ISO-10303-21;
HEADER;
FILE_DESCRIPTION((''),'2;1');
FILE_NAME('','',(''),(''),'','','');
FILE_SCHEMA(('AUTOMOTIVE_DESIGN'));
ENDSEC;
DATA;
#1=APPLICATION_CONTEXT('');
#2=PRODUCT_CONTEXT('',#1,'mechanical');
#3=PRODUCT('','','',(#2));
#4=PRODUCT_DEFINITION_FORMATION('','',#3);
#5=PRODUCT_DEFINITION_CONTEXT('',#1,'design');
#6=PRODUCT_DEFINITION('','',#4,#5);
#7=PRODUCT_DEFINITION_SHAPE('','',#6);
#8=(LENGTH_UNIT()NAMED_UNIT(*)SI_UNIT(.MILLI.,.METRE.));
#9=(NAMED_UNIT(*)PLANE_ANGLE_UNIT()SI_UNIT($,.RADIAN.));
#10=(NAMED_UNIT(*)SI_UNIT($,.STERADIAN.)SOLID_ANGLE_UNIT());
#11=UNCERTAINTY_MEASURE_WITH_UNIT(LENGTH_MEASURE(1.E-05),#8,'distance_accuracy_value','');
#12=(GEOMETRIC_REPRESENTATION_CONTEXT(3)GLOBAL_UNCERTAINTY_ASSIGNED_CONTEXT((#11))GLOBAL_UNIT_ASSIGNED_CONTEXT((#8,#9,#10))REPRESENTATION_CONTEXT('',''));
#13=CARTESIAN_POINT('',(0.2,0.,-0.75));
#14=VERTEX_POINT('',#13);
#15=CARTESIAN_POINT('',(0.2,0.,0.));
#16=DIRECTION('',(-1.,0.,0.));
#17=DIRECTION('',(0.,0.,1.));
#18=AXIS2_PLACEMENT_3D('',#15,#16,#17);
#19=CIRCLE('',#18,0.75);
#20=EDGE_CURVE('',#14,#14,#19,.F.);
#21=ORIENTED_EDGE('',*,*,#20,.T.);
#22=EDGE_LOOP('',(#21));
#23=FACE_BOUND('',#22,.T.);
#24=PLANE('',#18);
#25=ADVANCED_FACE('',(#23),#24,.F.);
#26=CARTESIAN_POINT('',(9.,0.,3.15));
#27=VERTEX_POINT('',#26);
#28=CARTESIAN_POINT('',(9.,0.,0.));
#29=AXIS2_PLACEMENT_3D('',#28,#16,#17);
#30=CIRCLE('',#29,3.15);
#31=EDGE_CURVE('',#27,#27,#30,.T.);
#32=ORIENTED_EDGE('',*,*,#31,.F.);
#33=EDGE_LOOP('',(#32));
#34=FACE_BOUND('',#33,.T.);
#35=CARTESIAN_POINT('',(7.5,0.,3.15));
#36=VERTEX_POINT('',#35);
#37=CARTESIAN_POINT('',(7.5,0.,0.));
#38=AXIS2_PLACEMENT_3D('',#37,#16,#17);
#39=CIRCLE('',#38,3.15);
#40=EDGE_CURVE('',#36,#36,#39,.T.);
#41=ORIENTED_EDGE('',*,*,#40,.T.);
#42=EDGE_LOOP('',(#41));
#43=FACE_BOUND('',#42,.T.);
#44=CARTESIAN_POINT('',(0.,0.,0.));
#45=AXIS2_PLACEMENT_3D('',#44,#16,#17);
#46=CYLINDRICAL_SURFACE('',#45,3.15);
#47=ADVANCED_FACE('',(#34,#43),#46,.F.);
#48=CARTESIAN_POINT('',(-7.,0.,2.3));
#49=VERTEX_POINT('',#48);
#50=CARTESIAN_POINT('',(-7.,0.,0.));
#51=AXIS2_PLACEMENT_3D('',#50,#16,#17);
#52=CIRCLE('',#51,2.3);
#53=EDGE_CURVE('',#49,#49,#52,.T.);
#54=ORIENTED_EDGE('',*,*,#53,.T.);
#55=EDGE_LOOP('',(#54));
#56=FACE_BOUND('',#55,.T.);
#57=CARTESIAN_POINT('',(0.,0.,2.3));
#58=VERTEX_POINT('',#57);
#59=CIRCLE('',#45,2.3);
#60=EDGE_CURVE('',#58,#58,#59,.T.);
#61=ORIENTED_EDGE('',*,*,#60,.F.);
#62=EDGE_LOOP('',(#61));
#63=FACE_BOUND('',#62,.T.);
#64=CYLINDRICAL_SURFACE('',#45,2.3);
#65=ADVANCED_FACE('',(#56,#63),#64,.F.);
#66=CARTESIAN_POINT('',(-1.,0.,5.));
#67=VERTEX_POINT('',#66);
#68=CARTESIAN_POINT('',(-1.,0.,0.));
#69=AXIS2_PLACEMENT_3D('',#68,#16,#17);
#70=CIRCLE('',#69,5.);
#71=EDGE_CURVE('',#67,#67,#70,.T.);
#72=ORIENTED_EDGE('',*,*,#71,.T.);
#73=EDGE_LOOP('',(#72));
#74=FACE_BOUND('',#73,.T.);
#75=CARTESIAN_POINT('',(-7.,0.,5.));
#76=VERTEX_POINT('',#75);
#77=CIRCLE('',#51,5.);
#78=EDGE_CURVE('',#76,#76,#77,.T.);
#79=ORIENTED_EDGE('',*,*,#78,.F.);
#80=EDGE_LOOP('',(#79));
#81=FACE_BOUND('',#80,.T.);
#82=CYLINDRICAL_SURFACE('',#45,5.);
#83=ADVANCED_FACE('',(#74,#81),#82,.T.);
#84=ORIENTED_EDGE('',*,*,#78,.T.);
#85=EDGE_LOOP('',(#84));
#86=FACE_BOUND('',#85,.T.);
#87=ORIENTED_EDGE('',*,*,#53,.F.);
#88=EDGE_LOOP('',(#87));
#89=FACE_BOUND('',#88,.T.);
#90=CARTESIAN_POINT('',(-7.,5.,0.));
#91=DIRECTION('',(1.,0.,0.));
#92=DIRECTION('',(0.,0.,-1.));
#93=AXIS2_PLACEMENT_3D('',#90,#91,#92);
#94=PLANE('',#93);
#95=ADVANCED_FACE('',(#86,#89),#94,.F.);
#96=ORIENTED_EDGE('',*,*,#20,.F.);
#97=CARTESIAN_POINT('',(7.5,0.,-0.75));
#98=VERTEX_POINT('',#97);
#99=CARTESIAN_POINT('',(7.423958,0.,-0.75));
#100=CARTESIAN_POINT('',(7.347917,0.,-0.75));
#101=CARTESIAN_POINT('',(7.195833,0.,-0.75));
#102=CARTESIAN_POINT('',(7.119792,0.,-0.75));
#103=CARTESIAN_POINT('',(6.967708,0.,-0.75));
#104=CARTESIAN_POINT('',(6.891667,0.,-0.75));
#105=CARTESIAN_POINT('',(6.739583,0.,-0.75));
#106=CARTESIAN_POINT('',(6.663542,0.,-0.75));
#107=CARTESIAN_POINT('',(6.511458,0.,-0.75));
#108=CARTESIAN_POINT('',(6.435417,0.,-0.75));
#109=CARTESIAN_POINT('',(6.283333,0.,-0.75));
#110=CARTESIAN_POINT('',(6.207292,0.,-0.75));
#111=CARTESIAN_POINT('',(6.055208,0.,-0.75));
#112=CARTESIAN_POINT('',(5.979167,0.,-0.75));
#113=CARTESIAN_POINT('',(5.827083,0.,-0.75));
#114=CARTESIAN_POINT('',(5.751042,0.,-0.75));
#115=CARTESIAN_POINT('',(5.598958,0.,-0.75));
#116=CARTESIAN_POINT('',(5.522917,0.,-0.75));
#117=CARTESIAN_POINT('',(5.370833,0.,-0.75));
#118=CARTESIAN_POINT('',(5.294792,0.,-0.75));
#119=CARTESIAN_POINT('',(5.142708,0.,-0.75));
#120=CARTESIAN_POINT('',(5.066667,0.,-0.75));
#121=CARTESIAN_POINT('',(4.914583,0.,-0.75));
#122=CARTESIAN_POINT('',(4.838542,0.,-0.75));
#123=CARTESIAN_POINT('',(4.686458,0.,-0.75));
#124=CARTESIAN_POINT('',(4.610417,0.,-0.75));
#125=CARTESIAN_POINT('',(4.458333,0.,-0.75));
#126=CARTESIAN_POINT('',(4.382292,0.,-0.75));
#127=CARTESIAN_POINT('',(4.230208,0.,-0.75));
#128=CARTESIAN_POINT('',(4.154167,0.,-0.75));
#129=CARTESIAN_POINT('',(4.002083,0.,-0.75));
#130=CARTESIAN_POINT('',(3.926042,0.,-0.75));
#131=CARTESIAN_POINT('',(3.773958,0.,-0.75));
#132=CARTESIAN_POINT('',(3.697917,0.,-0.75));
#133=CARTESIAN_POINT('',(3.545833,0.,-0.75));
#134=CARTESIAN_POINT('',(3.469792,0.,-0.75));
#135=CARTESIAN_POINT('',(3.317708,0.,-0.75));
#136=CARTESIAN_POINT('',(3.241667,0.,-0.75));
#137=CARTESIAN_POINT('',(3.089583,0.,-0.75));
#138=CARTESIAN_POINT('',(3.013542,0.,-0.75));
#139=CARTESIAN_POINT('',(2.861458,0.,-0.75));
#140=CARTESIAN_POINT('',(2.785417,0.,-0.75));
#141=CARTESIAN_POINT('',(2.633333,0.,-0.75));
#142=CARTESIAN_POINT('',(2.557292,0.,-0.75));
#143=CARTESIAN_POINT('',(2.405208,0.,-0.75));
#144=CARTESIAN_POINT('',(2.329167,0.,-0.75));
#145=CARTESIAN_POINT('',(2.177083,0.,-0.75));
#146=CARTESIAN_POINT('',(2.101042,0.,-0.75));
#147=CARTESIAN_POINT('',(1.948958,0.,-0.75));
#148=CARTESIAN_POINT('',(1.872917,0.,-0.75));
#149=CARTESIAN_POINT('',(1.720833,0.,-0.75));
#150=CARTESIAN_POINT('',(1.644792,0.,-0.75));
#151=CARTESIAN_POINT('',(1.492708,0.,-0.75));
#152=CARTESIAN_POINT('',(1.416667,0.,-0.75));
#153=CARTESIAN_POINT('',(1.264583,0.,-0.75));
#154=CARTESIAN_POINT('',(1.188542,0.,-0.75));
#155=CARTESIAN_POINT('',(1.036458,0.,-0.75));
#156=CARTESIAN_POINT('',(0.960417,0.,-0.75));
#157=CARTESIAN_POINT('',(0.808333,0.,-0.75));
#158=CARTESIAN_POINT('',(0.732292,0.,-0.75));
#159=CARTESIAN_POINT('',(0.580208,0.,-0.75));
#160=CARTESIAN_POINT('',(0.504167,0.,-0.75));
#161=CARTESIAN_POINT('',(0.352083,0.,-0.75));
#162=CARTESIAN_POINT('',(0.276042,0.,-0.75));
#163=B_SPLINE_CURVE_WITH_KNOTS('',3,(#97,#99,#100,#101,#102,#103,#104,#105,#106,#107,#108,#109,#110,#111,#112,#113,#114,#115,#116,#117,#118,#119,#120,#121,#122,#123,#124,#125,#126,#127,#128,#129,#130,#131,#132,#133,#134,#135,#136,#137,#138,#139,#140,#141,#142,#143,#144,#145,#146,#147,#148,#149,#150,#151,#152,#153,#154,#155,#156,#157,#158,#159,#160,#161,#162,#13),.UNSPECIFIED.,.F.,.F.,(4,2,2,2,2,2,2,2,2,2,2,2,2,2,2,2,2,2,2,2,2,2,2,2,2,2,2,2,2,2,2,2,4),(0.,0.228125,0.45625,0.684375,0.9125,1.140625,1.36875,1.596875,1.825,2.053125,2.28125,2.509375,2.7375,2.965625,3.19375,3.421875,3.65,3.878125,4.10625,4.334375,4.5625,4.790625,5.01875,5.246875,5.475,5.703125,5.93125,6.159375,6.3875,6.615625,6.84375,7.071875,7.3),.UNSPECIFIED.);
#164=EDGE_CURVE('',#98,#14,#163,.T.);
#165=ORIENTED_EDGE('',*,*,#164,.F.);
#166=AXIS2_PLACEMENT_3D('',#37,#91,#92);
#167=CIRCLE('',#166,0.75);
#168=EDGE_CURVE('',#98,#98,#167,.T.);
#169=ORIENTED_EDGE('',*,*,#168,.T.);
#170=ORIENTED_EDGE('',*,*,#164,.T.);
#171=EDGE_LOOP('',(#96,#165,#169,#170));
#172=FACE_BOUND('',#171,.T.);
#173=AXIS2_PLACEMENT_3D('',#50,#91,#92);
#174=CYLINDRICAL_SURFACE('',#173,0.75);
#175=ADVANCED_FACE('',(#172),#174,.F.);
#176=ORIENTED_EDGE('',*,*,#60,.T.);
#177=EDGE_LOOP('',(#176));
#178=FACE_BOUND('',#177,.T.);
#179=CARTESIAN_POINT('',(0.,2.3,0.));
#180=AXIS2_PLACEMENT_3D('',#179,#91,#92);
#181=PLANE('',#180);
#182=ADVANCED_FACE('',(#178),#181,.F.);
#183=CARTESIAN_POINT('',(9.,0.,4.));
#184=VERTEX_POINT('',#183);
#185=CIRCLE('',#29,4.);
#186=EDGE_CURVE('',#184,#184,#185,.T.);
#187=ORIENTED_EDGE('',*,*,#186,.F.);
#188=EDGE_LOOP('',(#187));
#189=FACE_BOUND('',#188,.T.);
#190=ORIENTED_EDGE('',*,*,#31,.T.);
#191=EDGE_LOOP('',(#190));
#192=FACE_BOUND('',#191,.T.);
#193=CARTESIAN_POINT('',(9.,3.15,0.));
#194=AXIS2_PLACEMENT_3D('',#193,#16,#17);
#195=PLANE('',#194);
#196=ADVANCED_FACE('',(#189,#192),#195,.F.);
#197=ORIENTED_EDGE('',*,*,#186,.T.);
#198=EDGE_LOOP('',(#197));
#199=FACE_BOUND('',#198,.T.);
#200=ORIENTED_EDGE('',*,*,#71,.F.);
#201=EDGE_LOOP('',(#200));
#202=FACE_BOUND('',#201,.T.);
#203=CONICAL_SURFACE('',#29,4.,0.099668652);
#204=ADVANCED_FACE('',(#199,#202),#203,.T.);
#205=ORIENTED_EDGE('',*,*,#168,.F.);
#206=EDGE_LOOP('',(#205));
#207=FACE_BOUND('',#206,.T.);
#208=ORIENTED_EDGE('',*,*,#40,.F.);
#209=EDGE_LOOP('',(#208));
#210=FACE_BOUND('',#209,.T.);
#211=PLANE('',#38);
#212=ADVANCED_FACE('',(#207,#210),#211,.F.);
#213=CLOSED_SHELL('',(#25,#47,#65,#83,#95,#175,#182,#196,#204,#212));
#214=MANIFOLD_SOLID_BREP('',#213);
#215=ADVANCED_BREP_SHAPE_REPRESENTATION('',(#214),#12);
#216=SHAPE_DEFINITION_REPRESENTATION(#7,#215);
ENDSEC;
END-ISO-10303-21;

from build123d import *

# Parameters (mm, degrees)
SKIZZE2_R                       = 0.75
SCHNITT_LINEAR_AUSTRAGEN1_DEPTH = 17.132265805
AUFSATZ_LINEAR_START            = -0.2
SKIZZE3_R                       = 0.75
AUFSATZ_LINEAR_AUSTRAGEN1_DEPTH = 0.2


with BuildPart() as part:
    # Skizze1 → Rotation1 (revolve)
    with BuildSketch(Plane.XY, mode=Mode.PRIVATE) as rotation1_sk:
        Polygon((7.5, 0), (7.5, 3.15), (9, 3.15), (9, 4), (-1, 5), (-7, 5), (-7, 2.3), (0, 2.3), (0, 0), align=None)
    revolve(rotation1_sk.sketch.rotate(Axis((0, 0, 0), (1, 0, 0)), 90), axis=Axis((0, 0, 0), (1, 0, 0)))

    # Skizze2 → Schnitt-Linear austragen1 (cut, through all)
    with BuildSketch(Plane(origin=(7.5, 0, 0), x_dir=(0, 0, -1), z_dir=(1, 0, 0))):
        Circle(SKIZZE2_R)
    extrude(amount=-SCHNITT_LINEAR_AUSTRAGEN1_DEPTH, mode=Mode.SUBTRACT)

    # Skizze3 → Aufsatz-Linear austragen1 (add)
    with BuildSketch(Plane.ZY.offset(AUFSATZ_LINEAR_START)):
        with Locations(Location((0, 0, 0), (0, 0, 180))):
            Circle(SKIZZE3_R)
    extrude(amount=AUFSATZ_LINEAR_AUSTRAGEN1_DEPTH)


solid = part.part
